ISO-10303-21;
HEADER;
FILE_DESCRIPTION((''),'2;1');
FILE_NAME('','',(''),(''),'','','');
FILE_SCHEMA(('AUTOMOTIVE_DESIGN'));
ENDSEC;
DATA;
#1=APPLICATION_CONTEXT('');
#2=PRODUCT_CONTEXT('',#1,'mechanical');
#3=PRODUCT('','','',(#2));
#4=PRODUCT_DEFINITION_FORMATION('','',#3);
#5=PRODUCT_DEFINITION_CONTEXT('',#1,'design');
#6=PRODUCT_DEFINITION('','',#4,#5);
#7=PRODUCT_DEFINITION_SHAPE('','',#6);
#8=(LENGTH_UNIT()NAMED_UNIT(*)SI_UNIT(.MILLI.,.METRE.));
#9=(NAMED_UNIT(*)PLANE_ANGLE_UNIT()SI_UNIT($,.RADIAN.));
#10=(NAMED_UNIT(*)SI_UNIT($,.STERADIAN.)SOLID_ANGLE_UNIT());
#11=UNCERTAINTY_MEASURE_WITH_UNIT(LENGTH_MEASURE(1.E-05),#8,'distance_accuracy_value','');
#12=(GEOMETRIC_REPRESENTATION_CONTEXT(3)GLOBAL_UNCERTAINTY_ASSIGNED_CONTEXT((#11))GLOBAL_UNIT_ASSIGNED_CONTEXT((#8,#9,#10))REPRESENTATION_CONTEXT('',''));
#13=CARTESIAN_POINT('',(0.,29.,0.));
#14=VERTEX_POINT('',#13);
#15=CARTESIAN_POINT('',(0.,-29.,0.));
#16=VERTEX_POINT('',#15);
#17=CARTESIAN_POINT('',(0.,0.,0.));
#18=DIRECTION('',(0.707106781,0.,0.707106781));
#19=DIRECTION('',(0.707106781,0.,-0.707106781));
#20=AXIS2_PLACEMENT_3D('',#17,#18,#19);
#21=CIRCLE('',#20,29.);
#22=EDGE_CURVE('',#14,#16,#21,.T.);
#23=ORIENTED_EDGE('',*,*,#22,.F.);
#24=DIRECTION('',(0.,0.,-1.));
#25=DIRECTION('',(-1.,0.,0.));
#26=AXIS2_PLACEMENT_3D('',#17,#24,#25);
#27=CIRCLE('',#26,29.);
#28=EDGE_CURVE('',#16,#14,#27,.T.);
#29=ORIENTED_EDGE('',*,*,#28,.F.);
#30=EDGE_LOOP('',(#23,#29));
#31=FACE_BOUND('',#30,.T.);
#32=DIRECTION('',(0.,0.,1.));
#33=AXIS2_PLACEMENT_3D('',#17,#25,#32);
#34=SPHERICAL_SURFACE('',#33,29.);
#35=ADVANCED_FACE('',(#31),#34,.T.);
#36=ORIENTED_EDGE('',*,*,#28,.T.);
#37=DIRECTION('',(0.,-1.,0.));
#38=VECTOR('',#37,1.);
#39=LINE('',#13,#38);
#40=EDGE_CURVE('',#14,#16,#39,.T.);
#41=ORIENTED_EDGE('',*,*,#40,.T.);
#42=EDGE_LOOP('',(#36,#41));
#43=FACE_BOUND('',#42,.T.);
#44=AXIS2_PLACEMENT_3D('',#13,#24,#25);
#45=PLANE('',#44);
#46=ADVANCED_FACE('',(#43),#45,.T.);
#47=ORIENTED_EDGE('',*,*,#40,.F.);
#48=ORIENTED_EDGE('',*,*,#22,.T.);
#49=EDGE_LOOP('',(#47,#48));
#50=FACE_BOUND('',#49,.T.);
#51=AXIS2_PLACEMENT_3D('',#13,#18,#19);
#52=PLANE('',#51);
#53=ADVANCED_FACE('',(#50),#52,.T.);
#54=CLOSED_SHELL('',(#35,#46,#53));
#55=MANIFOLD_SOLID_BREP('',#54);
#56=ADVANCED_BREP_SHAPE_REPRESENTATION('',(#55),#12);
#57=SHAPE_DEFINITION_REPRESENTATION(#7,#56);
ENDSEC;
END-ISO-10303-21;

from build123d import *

# Parameters (mm, degrees)
CUT_EXTRUDE1_DEPTH      = 51.229473419
CUT_EXTRUDE1_DEPTH_BACK = 51.229473419


with BuildPart() as part:
    # Sketch1 → Revolve1 (revolve)
    with BuildSketch(Plane(origin=(0, 0, 0), x_dir=(1, 0, 0), z_dir=(0, 1, 0))):
        with BuildLine():
            Line((-29, 0), (0, 0))
            Line((0, 0), (29, 0))
            ThreePointArc((29, 0), (0, 29), (-29, 0))
        make_face()
    revolve(axis=Axis((0, 0, 0), (1, 0, 0)))

    # Sketch2 → Cut-Extrude1 (cut, two sides: drawn at the far end of the back side and taken through both)
    with BuildSketch(Plane(origin=(0, 0, 0), x_dir=(1, 0, 0), z_dir=(0, 1, 0)).offset(-CUT_EXTRUDE1_DEPTH_BACK)):
        with BuildLine():
            Line((0, 0), (-31, 0))
            ThreePointArc((-31, 0), (28.640265508, 11.863186403), (-21.920310217, -21.920310217))
            Line((-21.920310217, -21.920310217), (0, 0))
        make_face()
    extrude(amount=CUT_EXTRUDE1_DEPTH + CUT_EXTRUDE1_DEPTH_BACK, mode=Mode.SUBTRACT)


solid = part.part
